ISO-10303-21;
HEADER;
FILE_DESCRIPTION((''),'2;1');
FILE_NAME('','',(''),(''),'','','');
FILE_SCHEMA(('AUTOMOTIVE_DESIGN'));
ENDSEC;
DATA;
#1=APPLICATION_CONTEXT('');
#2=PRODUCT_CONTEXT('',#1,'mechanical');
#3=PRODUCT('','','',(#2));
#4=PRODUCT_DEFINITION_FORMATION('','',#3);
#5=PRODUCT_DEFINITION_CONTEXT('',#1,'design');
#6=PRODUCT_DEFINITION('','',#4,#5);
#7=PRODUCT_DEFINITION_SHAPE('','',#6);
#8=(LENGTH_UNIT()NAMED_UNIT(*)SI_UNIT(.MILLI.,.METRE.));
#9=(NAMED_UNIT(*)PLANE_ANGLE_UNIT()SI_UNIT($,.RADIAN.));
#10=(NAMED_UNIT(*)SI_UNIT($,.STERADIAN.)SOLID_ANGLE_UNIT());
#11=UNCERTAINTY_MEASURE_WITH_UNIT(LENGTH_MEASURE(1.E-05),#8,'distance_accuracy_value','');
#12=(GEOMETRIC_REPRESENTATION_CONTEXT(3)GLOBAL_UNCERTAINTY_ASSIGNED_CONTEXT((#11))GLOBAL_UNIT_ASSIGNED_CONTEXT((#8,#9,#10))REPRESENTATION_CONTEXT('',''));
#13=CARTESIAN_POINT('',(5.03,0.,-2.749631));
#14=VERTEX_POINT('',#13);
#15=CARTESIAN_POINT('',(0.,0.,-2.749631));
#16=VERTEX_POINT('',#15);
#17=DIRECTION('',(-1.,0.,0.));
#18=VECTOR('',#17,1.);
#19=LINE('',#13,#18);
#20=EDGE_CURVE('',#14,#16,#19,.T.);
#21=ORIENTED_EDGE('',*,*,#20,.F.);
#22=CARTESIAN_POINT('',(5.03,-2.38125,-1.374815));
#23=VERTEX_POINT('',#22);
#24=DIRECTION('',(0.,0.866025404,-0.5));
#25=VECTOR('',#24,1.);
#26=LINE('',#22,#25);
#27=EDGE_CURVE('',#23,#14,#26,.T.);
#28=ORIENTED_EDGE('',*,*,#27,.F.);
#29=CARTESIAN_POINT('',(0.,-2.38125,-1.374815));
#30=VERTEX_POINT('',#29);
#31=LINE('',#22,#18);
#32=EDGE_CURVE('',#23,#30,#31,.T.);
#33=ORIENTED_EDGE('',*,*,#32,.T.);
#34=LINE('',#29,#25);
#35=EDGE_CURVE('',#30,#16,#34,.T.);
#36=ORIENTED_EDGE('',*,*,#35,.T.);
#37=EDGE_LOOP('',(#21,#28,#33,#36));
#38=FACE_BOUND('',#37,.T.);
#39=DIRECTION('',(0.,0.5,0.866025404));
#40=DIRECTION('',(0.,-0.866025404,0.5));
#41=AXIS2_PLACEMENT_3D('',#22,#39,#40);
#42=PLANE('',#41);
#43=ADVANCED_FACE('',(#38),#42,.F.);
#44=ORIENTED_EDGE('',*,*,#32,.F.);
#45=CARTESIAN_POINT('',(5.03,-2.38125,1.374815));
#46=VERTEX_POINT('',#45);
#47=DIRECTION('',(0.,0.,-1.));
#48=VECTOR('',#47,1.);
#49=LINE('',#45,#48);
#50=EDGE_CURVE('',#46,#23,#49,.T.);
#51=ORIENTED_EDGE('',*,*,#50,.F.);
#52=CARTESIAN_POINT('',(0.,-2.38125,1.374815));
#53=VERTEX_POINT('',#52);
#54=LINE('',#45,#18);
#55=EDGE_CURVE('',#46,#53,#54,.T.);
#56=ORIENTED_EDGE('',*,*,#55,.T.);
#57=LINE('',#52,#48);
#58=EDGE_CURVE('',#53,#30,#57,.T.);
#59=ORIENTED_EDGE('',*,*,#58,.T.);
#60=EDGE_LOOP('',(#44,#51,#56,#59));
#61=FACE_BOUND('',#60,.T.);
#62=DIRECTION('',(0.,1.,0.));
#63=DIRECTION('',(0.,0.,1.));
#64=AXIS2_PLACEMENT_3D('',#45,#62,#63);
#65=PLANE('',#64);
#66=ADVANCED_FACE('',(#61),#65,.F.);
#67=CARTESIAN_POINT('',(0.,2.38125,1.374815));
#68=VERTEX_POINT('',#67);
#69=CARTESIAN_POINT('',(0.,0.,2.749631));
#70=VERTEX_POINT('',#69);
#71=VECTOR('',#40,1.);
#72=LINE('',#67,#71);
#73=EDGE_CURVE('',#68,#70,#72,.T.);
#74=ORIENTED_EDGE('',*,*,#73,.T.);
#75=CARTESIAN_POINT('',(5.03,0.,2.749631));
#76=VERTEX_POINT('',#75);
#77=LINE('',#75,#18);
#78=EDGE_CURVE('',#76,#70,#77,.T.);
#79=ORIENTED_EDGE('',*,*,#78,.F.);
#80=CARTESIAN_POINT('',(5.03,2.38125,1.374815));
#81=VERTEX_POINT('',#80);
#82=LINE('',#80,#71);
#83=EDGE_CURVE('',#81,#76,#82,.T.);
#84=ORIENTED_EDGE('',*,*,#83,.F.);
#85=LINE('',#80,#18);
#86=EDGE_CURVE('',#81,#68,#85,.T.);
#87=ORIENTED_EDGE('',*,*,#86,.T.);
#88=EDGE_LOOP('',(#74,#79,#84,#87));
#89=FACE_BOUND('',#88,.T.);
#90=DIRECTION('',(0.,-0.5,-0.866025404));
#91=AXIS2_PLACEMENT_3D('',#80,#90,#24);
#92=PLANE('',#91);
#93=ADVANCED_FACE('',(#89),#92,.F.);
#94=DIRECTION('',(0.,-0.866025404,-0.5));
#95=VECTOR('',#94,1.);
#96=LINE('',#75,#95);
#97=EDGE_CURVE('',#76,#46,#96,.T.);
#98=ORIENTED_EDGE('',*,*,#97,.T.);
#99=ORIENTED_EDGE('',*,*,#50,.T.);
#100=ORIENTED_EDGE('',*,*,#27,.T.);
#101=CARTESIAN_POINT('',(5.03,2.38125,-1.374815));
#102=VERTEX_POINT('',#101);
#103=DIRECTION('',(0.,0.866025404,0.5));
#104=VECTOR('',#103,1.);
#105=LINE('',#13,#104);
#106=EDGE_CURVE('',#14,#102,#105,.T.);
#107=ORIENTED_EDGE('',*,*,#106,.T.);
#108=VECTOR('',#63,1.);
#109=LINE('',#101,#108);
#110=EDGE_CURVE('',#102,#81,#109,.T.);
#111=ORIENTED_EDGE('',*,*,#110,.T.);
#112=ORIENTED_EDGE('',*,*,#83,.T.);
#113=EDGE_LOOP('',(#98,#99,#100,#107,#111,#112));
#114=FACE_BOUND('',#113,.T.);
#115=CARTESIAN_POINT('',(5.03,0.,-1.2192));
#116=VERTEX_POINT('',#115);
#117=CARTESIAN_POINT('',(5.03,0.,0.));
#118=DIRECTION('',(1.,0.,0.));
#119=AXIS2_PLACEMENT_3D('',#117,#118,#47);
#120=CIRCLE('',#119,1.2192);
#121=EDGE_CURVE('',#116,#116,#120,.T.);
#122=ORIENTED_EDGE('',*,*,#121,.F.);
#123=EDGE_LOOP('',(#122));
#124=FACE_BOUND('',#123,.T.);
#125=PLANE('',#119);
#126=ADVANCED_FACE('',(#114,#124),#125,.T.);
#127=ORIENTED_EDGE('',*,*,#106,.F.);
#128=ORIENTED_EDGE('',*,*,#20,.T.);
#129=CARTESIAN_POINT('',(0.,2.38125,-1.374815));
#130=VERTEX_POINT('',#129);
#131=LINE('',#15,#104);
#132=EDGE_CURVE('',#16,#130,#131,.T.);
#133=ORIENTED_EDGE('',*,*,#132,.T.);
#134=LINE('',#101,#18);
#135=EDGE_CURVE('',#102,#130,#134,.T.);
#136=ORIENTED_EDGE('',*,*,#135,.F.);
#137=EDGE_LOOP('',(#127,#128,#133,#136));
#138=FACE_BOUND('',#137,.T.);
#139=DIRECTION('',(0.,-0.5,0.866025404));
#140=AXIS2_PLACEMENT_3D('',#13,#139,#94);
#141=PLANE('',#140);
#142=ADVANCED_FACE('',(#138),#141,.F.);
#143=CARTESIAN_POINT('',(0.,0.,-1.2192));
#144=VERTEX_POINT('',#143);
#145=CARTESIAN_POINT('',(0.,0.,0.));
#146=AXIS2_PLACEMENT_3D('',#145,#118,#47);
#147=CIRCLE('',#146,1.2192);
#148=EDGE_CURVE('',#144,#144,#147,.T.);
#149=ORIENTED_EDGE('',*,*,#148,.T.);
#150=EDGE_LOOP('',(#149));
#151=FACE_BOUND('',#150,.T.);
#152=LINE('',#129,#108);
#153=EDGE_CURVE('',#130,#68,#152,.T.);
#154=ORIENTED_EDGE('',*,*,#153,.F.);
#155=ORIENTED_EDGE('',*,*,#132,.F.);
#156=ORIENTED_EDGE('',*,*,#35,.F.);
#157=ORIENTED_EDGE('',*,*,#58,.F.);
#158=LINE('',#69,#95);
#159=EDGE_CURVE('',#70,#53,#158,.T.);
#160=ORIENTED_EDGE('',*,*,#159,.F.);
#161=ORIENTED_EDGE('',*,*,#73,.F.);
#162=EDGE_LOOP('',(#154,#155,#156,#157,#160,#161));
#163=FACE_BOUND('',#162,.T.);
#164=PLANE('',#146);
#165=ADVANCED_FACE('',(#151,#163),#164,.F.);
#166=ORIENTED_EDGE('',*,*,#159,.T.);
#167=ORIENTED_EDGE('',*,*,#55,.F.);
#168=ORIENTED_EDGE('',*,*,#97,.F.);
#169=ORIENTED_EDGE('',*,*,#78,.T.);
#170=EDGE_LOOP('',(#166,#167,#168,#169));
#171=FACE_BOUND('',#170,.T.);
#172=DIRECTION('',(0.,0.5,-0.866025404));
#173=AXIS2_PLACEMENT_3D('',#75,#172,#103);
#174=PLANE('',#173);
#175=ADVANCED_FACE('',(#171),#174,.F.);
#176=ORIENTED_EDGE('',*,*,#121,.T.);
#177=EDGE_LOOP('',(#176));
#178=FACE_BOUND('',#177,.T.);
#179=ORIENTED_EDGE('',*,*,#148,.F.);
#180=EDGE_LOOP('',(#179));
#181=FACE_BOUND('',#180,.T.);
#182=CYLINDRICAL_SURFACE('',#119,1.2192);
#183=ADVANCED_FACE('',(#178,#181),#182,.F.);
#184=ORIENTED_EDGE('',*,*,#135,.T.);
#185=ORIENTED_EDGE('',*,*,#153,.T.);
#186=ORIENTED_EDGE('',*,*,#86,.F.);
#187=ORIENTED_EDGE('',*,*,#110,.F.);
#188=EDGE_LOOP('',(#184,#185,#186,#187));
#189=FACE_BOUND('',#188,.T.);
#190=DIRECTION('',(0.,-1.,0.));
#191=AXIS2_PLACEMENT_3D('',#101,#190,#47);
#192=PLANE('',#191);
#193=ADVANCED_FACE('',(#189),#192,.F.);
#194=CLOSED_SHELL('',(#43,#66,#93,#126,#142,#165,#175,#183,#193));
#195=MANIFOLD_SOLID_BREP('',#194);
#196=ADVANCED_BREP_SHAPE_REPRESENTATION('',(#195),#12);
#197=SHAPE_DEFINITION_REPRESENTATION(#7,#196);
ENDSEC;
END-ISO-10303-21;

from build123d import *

# Parameters (mm, degrees)
BOSS_EXTRUDE1_DEPTH   = 5.03
F_2_CLEARANCE_HOLE1_D = 2.4384


with BuildPart() as part:
    # Sketch1 → Boss-Extrude1 (new body)
    with BuildSketch(Plane(origin=(0, 0, 0), x_dir=(0, 0, -1), z_dir=(1, 0, 0))):
        Polygon((2.749630657, 0), (1.374815329, 2.38125), (-1.374815329, 2.38125), (-2.749630657, 0), (-1.374815329, -2.38125), (1.374815329, -2.38125), align=None)
    extrude(amount=BOSS_EXTRUDE1_DEPTH)

    # #2 Clearance Hole1 (through all)
    with Locations(Plane(origin=(5.03, 0, 0), x_dir=(0, 0, -1), z_dir=(1, 0, 0))):
        with Locations((0, 0)):
            Hole(F_2_CLEARANCE_HOLE1_D / 2)


solid = part.part
